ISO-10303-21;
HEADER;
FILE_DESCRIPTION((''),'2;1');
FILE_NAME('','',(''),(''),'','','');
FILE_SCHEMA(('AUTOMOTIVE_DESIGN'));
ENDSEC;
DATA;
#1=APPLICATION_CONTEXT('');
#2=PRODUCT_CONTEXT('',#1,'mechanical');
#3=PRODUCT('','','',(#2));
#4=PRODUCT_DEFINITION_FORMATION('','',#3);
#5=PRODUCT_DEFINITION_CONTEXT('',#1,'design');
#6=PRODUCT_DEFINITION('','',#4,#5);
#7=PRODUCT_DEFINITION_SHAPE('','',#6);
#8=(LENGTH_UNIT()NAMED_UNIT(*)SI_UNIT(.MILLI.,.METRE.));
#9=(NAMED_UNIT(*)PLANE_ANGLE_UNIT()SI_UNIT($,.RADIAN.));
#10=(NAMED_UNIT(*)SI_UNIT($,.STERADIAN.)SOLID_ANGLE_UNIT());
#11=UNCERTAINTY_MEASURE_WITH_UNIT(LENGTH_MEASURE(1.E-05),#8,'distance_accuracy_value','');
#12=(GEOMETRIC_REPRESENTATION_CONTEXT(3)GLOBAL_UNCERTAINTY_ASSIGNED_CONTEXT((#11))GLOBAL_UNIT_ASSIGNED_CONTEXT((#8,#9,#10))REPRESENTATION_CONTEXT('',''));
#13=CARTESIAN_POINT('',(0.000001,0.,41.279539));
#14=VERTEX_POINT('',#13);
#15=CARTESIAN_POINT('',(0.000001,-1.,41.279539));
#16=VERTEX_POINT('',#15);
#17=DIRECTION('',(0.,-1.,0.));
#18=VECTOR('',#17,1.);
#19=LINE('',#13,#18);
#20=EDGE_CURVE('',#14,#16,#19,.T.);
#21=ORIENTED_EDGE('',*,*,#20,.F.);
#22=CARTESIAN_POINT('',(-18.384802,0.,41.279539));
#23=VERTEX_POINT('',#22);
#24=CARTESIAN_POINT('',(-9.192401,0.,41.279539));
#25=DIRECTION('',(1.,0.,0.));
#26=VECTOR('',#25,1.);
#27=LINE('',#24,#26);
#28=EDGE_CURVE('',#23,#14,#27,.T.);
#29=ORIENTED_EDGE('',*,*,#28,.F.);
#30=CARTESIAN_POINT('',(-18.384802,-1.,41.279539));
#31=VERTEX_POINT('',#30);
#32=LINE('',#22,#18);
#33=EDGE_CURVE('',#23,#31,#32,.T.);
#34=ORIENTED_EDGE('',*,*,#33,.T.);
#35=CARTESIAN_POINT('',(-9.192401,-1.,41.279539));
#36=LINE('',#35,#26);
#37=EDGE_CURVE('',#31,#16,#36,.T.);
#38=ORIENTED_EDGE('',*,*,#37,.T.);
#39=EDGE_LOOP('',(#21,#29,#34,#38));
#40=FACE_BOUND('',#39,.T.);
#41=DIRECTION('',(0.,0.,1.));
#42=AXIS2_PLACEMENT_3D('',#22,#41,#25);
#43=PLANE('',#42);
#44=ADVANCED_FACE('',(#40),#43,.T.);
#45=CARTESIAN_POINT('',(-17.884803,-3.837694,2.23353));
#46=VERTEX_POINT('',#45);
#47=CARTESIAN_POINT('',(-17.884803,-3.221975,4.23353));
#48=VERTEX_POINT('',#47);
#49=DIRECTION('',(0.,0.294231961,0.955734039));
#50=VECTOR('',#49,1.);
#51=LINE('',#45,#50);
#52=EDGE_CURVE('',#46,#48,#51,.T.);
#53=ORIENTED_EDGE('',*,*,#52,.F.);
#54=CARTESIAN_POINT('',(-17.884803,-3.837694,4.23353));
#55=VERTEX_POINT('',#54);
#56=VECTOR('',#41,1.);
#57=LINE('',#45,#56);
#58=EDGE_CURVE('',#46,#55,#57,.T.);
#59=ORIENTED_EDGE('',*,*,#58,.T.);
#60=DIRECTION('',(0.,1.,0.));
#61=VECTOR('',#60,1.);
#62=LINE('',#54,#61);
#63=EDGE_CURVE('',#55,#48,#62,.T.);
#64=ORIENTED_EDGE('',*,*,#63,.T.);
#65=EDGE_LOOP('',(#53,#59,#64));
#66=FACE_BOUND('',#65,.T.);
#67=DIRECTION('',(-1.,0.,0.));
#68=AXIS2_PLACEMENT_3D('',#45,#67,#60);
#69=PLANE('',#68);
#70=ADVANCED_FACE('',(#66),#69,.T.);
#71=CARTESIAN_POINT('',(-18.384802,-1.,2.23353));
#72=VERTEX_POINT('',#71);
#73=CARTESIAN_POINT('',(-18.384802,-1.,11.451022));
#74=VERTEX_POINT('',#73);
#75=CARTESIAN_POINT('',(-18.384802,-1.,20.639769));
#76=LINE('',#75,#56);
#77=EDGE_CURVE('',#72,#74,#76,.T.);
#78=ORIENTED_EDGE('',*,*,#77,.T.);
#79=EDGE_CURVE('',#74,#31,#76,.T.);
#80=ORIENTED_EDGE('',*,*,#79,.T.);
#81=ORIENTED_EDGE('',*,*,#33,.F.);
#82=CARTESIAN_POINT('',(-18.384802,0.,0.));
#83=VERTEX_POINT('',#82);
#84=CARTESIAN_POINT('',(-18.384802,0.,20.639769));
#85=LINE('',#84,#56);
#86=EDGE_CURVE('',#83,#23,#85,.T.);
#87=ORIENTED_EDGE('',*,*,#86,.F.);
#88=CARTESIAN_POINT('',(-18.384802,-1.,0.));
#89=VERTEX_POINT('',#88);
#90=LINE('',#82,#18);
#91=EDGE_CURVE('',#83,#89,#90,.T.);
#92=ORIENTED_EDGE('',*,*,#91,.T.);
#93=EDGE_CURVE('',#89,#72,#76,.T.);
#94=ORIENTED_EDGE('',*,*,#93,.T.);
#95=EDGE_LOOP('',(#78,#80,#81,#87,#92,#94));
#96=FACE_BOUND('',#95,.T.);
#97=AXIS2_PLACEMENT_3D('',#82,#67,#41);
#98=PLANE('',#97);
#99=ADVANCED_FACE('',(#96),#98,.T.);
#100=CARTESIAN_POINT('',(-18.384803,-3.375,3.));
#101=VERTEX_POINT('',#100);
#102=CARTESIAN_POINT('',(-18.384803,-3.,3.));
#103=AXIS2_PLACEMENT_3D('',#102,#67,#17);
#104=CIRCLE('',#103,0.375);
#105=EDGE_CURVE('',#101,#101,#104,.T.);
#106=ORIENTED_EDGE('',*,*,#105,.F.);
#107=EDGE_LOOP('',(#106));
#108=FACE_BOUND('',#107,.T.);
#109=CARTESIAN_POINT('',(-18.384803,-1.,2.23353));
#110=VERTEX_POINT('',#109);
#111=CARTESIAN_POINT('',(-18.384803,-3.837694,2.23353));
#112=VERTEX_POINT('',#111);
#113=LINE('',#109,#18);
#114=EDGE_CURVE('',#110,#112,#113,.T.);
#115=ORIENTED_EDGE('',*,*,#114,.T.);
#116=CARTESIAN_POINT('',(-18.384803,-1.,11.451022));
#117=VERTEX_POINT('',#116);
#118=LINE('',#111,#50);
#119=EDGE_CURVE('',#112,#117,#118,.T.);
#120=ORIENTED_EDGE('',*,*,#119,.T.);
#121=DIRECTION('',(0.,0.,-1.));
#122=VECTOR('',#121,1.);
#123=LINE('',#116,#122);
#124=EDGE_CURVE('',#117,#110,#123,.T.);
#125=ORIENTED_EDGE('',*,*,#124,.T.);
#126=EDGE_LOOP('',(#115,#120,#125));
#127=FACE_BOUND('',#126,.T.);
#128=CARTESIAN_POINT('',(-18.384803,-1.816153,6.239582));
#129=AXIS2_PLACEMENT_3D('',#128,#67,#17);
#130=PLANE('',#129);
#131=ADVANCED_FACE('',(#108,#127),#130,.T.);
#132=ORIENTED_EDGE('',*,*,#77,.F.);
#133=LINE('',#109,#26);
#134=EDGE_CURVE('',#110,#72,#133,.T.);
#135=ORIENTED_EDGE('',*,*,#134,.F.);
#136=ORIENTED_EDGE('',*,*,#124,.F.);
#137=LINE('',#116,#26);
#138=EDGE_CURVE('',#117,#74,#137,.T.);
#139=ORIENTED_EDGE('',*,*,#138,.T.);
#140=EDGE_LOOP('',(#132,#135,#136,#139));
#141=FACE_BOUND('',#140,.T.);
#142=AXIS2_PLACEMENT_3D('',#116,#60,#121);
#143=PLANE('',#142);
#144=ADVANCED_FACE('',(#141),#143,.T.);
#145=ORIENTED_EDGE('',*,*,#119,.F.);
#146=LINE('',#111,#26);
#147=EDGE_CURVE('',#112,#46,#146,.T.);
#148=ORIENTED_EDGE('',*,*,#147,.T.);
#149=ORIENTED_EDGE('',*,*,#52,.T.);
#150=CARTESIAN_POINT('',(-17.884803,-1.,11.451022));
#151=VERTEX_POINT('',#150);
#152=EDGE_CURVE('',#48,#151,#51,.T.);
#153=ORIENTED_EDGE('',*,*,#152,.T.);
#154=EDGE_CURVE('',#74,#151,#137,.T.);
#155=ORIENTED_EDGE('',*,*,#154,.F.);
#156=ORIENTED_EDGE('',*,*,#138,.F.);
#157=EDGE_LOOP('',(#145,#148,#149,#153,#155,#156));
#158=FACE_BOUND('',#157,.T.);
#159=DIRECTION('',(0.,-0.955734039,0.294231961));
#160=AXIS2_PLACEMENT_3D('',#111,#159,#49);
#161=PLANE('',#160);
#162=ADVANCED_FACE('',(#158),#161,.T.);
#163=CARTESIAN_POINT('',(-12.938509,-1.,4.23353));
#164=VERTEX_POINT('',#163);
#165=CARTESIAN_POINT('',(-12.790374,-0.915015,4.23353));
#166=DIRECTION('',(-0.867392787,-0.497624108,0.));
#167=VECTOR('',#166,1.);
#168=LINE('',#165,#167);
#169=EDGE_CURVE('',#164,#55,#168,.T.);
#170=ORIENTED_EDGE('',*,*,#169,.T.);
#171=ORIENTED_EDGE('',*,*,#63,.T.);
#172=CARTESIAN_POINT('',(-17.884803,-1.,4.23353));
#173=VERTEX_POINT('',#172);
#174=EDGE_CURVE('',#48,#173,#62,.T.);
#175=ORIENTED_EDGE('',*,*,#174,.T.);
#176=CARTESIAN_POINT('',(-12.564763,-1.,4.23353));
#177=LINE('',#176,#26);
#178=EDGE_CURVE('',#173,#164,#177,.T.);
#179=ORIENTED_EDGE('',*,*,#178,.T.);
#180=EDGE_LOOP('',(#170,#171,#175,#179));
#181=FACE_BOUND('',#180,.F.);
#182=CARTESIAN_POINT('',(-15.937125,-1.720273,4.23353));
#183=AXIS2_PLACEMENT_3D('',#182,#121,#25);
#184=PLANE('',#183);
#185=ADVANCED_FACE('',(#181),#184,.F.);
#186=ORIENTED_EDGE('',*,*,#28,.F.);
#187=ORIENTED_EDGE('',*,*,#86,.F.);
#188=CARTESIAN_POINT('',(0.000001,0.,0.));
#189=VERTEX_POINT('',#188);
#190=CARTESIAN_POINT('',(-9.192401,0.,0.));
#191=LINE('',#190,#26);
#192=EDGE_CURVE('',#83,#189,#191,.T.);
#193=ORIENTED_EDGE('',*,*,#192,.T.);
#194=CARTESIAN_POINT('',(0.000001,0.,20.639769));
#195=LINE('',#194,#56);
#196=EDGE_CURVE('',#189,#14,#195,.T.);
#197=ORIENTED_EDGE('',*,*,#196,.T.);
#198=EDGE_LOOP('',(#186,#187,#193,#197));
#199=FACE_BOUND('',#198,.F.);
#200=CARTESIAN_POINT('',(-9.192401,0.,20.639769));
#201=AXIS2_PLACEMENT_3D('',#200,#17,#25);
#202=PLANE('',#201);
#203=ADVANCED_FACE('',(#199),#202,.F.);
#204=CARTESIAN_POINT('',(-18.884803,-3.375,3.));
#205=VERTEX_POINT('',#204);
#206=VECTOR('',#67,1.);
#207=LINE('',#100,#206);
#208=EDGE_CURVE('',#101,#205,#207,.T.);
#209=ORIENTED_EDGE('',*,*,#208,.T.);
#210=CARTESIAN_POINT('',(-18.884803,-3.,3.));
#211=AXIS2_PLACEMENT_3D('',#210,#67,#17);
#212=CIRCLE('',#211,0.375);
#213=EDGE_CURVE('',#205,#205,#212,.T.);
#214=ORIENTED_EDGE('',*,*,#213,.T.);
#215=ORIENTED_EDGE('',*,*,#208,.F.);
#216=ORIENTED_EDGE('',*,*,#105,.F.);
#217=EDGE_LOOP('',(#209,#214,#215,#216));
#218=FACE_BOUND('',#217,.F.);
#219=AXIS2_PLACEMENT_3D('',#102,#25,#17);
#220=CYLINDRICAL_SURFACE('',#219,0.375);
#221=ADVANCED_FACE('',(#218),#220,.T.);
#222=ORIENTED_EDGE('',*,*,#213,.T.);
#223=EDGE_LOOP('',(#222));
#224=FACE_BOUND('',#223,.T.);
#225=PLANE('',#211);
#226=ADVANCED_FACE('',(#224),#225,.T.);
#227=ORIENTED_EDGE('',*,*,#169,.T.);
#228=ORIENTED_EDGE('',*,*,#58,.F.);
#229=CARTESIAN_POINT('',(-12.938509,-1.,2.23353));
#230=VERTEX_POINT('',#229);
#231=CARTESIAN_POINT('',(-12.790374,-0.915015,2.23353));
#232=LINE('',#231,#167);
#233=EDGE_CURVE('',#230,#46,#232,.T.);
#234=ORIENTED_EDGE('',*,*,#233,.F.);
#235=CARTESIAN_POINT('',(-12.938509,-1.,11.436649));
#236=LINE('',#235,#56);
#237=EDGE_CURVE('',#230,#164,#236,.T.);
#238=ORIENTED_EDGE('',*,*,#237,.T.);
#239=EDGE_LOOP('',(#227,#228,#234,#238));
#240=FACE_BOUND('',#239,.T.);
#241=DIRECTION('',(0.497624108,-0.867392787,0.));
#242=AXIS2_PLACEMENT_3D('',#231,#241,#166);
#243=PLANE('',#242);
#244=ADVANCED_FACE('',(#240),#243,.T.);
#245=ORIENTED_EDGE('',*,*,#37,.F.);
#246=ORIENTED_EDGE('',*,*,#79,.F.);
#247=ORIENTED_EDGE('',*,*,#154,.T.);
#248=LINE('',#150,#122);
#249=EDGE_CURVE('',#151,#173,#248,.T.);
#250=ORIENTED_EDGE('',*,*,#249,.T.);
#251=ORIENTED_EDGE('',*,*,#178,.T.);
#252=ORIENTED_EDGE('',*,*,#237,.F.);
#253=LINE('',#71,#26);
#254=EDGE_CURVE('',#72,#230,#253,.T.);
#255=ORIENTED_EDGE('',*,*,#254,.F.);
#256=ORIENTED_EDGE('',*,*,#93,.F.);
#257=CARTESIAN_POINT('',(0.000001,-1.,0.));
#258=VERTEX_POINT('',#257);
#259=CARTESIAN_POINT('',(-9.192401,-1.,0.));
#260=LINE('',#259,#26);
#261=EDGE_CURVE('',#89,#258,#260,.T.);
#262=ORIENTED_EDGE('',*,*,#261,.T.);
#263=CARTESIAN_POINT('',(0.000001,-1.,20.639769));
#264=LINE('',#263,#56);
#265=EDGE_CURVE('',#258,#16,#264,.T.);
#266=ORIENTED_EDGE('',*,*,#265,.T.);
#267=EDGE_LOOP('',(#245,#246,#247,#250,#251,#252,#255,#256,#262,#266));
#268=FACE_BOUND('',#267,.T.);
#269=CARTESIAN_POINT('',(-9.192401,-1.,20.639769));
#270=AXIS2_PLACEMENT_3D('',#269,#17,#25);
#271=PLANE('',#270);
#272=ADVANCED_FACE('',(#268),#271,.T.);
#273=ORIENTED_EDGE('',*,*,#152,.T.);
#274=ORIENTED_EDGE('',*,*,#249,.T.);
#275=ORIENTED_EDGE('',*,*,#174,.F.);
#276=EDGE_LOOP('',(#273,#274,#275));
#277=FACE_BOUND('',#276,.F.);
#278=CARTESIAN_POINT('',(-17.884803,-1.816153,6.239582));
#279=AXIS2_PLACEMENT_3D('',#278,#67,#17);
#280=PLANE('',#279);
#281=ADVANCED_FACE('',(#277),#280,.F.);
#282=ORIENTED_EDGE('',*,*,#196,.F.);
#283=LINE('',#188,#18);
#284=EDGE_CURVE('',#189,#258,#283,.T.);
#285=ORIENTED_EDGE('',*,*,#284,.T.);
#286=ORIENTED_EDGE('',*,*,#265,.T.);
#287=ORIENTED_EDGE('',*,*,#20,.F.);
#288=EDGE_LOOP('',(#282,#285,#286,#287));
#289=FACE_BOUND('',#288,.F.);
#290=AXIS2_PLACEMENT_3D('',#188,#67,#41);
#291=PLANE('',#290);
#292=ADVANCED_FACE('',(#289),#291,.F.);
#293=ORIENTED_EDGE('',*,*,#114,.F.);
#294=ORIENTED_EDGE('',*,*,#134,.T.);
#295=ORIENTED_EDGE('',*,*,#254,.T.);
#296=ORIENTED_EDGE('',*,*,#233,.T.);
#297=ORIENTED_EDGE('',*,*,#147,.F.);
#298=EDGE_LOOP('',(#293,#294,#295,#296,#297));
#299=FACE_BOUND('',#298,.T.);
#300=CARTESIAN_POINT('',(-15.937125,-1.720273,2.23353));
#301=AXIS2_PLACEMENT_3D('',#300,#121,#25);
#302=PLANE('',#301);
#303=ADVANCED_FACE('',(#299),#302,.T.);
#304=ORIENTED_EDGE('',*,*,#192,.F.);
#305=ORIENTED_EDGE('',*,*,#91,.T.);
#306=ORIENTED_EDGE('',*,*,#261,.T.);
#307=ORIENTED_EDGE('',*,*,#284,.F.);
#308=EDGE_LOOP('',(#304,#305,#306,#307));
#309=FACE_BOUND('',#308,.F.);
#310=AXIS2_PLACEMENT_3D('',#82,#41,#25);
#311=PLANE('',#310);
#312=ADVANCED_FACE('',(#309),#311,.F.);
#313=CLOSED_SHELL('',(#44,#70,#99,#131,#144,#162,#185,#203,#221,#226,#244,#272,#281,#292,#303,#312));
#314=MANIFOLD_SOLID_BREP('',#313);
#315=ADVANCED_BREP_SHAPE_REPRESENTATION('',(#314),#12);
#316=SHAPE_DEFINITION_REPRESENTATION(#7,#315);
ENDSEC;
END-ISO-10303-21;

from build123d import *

# Parameters (mm, degrees)
F0_W     = 18.384803
F0_H     = 41.279539
F1_DEPTH = 1
F3_DEPTH = 0.5
F4_R     = 0.375
F5_DEPTH = 0.5
F7_DEPTH = 2


with BuildPart() as f1:
    # F0 (on Front) → F1 (new body)
    with BuildSketch(Plane.XZ):
        with Locations((-9.192401, 20.639769)):
            Rectangle(F0_W, F0_H)
    extrude(amount=F1_DEPTH)

    # F2 (on face) → F3 (join)
    with BuildSketch(Plane(origin=(-18.384803, 0, 0), x_dir=(0, -1, 0), z_dir=(-1, 0, 0))):
        Polygon((1, 11.451022), (1, 2.23353), (3.837694, 2.23353), align=None)
    extrude(amount=-F3_DEPTH)

    # F4 (on face) → F5 (join)
    with BuildSketch(Plane(origin=(-18.384803, 0, 0), x_dir=(0, -1, 0), z_dir=(-1, 0, 0))):
        with Locations((3, 3)):
            Circle(F4_R)
    extrude(amount=F5_DEPTH)

    # F6 (on face) → F7 (join)
    with BuildSketch(Plane(origin=(0, 0, 2.23353), x_dir=(1, 0, 0), z_dir=(0, 0, -1))):
        Polygon((-12.790374, 0.915015), (-17.884803, 3.837694), (-17.884803, 1), (-17.884803, 0.455235), align=None)
    extrude(amount=-F7_DEPTH)


solid = f1.part
